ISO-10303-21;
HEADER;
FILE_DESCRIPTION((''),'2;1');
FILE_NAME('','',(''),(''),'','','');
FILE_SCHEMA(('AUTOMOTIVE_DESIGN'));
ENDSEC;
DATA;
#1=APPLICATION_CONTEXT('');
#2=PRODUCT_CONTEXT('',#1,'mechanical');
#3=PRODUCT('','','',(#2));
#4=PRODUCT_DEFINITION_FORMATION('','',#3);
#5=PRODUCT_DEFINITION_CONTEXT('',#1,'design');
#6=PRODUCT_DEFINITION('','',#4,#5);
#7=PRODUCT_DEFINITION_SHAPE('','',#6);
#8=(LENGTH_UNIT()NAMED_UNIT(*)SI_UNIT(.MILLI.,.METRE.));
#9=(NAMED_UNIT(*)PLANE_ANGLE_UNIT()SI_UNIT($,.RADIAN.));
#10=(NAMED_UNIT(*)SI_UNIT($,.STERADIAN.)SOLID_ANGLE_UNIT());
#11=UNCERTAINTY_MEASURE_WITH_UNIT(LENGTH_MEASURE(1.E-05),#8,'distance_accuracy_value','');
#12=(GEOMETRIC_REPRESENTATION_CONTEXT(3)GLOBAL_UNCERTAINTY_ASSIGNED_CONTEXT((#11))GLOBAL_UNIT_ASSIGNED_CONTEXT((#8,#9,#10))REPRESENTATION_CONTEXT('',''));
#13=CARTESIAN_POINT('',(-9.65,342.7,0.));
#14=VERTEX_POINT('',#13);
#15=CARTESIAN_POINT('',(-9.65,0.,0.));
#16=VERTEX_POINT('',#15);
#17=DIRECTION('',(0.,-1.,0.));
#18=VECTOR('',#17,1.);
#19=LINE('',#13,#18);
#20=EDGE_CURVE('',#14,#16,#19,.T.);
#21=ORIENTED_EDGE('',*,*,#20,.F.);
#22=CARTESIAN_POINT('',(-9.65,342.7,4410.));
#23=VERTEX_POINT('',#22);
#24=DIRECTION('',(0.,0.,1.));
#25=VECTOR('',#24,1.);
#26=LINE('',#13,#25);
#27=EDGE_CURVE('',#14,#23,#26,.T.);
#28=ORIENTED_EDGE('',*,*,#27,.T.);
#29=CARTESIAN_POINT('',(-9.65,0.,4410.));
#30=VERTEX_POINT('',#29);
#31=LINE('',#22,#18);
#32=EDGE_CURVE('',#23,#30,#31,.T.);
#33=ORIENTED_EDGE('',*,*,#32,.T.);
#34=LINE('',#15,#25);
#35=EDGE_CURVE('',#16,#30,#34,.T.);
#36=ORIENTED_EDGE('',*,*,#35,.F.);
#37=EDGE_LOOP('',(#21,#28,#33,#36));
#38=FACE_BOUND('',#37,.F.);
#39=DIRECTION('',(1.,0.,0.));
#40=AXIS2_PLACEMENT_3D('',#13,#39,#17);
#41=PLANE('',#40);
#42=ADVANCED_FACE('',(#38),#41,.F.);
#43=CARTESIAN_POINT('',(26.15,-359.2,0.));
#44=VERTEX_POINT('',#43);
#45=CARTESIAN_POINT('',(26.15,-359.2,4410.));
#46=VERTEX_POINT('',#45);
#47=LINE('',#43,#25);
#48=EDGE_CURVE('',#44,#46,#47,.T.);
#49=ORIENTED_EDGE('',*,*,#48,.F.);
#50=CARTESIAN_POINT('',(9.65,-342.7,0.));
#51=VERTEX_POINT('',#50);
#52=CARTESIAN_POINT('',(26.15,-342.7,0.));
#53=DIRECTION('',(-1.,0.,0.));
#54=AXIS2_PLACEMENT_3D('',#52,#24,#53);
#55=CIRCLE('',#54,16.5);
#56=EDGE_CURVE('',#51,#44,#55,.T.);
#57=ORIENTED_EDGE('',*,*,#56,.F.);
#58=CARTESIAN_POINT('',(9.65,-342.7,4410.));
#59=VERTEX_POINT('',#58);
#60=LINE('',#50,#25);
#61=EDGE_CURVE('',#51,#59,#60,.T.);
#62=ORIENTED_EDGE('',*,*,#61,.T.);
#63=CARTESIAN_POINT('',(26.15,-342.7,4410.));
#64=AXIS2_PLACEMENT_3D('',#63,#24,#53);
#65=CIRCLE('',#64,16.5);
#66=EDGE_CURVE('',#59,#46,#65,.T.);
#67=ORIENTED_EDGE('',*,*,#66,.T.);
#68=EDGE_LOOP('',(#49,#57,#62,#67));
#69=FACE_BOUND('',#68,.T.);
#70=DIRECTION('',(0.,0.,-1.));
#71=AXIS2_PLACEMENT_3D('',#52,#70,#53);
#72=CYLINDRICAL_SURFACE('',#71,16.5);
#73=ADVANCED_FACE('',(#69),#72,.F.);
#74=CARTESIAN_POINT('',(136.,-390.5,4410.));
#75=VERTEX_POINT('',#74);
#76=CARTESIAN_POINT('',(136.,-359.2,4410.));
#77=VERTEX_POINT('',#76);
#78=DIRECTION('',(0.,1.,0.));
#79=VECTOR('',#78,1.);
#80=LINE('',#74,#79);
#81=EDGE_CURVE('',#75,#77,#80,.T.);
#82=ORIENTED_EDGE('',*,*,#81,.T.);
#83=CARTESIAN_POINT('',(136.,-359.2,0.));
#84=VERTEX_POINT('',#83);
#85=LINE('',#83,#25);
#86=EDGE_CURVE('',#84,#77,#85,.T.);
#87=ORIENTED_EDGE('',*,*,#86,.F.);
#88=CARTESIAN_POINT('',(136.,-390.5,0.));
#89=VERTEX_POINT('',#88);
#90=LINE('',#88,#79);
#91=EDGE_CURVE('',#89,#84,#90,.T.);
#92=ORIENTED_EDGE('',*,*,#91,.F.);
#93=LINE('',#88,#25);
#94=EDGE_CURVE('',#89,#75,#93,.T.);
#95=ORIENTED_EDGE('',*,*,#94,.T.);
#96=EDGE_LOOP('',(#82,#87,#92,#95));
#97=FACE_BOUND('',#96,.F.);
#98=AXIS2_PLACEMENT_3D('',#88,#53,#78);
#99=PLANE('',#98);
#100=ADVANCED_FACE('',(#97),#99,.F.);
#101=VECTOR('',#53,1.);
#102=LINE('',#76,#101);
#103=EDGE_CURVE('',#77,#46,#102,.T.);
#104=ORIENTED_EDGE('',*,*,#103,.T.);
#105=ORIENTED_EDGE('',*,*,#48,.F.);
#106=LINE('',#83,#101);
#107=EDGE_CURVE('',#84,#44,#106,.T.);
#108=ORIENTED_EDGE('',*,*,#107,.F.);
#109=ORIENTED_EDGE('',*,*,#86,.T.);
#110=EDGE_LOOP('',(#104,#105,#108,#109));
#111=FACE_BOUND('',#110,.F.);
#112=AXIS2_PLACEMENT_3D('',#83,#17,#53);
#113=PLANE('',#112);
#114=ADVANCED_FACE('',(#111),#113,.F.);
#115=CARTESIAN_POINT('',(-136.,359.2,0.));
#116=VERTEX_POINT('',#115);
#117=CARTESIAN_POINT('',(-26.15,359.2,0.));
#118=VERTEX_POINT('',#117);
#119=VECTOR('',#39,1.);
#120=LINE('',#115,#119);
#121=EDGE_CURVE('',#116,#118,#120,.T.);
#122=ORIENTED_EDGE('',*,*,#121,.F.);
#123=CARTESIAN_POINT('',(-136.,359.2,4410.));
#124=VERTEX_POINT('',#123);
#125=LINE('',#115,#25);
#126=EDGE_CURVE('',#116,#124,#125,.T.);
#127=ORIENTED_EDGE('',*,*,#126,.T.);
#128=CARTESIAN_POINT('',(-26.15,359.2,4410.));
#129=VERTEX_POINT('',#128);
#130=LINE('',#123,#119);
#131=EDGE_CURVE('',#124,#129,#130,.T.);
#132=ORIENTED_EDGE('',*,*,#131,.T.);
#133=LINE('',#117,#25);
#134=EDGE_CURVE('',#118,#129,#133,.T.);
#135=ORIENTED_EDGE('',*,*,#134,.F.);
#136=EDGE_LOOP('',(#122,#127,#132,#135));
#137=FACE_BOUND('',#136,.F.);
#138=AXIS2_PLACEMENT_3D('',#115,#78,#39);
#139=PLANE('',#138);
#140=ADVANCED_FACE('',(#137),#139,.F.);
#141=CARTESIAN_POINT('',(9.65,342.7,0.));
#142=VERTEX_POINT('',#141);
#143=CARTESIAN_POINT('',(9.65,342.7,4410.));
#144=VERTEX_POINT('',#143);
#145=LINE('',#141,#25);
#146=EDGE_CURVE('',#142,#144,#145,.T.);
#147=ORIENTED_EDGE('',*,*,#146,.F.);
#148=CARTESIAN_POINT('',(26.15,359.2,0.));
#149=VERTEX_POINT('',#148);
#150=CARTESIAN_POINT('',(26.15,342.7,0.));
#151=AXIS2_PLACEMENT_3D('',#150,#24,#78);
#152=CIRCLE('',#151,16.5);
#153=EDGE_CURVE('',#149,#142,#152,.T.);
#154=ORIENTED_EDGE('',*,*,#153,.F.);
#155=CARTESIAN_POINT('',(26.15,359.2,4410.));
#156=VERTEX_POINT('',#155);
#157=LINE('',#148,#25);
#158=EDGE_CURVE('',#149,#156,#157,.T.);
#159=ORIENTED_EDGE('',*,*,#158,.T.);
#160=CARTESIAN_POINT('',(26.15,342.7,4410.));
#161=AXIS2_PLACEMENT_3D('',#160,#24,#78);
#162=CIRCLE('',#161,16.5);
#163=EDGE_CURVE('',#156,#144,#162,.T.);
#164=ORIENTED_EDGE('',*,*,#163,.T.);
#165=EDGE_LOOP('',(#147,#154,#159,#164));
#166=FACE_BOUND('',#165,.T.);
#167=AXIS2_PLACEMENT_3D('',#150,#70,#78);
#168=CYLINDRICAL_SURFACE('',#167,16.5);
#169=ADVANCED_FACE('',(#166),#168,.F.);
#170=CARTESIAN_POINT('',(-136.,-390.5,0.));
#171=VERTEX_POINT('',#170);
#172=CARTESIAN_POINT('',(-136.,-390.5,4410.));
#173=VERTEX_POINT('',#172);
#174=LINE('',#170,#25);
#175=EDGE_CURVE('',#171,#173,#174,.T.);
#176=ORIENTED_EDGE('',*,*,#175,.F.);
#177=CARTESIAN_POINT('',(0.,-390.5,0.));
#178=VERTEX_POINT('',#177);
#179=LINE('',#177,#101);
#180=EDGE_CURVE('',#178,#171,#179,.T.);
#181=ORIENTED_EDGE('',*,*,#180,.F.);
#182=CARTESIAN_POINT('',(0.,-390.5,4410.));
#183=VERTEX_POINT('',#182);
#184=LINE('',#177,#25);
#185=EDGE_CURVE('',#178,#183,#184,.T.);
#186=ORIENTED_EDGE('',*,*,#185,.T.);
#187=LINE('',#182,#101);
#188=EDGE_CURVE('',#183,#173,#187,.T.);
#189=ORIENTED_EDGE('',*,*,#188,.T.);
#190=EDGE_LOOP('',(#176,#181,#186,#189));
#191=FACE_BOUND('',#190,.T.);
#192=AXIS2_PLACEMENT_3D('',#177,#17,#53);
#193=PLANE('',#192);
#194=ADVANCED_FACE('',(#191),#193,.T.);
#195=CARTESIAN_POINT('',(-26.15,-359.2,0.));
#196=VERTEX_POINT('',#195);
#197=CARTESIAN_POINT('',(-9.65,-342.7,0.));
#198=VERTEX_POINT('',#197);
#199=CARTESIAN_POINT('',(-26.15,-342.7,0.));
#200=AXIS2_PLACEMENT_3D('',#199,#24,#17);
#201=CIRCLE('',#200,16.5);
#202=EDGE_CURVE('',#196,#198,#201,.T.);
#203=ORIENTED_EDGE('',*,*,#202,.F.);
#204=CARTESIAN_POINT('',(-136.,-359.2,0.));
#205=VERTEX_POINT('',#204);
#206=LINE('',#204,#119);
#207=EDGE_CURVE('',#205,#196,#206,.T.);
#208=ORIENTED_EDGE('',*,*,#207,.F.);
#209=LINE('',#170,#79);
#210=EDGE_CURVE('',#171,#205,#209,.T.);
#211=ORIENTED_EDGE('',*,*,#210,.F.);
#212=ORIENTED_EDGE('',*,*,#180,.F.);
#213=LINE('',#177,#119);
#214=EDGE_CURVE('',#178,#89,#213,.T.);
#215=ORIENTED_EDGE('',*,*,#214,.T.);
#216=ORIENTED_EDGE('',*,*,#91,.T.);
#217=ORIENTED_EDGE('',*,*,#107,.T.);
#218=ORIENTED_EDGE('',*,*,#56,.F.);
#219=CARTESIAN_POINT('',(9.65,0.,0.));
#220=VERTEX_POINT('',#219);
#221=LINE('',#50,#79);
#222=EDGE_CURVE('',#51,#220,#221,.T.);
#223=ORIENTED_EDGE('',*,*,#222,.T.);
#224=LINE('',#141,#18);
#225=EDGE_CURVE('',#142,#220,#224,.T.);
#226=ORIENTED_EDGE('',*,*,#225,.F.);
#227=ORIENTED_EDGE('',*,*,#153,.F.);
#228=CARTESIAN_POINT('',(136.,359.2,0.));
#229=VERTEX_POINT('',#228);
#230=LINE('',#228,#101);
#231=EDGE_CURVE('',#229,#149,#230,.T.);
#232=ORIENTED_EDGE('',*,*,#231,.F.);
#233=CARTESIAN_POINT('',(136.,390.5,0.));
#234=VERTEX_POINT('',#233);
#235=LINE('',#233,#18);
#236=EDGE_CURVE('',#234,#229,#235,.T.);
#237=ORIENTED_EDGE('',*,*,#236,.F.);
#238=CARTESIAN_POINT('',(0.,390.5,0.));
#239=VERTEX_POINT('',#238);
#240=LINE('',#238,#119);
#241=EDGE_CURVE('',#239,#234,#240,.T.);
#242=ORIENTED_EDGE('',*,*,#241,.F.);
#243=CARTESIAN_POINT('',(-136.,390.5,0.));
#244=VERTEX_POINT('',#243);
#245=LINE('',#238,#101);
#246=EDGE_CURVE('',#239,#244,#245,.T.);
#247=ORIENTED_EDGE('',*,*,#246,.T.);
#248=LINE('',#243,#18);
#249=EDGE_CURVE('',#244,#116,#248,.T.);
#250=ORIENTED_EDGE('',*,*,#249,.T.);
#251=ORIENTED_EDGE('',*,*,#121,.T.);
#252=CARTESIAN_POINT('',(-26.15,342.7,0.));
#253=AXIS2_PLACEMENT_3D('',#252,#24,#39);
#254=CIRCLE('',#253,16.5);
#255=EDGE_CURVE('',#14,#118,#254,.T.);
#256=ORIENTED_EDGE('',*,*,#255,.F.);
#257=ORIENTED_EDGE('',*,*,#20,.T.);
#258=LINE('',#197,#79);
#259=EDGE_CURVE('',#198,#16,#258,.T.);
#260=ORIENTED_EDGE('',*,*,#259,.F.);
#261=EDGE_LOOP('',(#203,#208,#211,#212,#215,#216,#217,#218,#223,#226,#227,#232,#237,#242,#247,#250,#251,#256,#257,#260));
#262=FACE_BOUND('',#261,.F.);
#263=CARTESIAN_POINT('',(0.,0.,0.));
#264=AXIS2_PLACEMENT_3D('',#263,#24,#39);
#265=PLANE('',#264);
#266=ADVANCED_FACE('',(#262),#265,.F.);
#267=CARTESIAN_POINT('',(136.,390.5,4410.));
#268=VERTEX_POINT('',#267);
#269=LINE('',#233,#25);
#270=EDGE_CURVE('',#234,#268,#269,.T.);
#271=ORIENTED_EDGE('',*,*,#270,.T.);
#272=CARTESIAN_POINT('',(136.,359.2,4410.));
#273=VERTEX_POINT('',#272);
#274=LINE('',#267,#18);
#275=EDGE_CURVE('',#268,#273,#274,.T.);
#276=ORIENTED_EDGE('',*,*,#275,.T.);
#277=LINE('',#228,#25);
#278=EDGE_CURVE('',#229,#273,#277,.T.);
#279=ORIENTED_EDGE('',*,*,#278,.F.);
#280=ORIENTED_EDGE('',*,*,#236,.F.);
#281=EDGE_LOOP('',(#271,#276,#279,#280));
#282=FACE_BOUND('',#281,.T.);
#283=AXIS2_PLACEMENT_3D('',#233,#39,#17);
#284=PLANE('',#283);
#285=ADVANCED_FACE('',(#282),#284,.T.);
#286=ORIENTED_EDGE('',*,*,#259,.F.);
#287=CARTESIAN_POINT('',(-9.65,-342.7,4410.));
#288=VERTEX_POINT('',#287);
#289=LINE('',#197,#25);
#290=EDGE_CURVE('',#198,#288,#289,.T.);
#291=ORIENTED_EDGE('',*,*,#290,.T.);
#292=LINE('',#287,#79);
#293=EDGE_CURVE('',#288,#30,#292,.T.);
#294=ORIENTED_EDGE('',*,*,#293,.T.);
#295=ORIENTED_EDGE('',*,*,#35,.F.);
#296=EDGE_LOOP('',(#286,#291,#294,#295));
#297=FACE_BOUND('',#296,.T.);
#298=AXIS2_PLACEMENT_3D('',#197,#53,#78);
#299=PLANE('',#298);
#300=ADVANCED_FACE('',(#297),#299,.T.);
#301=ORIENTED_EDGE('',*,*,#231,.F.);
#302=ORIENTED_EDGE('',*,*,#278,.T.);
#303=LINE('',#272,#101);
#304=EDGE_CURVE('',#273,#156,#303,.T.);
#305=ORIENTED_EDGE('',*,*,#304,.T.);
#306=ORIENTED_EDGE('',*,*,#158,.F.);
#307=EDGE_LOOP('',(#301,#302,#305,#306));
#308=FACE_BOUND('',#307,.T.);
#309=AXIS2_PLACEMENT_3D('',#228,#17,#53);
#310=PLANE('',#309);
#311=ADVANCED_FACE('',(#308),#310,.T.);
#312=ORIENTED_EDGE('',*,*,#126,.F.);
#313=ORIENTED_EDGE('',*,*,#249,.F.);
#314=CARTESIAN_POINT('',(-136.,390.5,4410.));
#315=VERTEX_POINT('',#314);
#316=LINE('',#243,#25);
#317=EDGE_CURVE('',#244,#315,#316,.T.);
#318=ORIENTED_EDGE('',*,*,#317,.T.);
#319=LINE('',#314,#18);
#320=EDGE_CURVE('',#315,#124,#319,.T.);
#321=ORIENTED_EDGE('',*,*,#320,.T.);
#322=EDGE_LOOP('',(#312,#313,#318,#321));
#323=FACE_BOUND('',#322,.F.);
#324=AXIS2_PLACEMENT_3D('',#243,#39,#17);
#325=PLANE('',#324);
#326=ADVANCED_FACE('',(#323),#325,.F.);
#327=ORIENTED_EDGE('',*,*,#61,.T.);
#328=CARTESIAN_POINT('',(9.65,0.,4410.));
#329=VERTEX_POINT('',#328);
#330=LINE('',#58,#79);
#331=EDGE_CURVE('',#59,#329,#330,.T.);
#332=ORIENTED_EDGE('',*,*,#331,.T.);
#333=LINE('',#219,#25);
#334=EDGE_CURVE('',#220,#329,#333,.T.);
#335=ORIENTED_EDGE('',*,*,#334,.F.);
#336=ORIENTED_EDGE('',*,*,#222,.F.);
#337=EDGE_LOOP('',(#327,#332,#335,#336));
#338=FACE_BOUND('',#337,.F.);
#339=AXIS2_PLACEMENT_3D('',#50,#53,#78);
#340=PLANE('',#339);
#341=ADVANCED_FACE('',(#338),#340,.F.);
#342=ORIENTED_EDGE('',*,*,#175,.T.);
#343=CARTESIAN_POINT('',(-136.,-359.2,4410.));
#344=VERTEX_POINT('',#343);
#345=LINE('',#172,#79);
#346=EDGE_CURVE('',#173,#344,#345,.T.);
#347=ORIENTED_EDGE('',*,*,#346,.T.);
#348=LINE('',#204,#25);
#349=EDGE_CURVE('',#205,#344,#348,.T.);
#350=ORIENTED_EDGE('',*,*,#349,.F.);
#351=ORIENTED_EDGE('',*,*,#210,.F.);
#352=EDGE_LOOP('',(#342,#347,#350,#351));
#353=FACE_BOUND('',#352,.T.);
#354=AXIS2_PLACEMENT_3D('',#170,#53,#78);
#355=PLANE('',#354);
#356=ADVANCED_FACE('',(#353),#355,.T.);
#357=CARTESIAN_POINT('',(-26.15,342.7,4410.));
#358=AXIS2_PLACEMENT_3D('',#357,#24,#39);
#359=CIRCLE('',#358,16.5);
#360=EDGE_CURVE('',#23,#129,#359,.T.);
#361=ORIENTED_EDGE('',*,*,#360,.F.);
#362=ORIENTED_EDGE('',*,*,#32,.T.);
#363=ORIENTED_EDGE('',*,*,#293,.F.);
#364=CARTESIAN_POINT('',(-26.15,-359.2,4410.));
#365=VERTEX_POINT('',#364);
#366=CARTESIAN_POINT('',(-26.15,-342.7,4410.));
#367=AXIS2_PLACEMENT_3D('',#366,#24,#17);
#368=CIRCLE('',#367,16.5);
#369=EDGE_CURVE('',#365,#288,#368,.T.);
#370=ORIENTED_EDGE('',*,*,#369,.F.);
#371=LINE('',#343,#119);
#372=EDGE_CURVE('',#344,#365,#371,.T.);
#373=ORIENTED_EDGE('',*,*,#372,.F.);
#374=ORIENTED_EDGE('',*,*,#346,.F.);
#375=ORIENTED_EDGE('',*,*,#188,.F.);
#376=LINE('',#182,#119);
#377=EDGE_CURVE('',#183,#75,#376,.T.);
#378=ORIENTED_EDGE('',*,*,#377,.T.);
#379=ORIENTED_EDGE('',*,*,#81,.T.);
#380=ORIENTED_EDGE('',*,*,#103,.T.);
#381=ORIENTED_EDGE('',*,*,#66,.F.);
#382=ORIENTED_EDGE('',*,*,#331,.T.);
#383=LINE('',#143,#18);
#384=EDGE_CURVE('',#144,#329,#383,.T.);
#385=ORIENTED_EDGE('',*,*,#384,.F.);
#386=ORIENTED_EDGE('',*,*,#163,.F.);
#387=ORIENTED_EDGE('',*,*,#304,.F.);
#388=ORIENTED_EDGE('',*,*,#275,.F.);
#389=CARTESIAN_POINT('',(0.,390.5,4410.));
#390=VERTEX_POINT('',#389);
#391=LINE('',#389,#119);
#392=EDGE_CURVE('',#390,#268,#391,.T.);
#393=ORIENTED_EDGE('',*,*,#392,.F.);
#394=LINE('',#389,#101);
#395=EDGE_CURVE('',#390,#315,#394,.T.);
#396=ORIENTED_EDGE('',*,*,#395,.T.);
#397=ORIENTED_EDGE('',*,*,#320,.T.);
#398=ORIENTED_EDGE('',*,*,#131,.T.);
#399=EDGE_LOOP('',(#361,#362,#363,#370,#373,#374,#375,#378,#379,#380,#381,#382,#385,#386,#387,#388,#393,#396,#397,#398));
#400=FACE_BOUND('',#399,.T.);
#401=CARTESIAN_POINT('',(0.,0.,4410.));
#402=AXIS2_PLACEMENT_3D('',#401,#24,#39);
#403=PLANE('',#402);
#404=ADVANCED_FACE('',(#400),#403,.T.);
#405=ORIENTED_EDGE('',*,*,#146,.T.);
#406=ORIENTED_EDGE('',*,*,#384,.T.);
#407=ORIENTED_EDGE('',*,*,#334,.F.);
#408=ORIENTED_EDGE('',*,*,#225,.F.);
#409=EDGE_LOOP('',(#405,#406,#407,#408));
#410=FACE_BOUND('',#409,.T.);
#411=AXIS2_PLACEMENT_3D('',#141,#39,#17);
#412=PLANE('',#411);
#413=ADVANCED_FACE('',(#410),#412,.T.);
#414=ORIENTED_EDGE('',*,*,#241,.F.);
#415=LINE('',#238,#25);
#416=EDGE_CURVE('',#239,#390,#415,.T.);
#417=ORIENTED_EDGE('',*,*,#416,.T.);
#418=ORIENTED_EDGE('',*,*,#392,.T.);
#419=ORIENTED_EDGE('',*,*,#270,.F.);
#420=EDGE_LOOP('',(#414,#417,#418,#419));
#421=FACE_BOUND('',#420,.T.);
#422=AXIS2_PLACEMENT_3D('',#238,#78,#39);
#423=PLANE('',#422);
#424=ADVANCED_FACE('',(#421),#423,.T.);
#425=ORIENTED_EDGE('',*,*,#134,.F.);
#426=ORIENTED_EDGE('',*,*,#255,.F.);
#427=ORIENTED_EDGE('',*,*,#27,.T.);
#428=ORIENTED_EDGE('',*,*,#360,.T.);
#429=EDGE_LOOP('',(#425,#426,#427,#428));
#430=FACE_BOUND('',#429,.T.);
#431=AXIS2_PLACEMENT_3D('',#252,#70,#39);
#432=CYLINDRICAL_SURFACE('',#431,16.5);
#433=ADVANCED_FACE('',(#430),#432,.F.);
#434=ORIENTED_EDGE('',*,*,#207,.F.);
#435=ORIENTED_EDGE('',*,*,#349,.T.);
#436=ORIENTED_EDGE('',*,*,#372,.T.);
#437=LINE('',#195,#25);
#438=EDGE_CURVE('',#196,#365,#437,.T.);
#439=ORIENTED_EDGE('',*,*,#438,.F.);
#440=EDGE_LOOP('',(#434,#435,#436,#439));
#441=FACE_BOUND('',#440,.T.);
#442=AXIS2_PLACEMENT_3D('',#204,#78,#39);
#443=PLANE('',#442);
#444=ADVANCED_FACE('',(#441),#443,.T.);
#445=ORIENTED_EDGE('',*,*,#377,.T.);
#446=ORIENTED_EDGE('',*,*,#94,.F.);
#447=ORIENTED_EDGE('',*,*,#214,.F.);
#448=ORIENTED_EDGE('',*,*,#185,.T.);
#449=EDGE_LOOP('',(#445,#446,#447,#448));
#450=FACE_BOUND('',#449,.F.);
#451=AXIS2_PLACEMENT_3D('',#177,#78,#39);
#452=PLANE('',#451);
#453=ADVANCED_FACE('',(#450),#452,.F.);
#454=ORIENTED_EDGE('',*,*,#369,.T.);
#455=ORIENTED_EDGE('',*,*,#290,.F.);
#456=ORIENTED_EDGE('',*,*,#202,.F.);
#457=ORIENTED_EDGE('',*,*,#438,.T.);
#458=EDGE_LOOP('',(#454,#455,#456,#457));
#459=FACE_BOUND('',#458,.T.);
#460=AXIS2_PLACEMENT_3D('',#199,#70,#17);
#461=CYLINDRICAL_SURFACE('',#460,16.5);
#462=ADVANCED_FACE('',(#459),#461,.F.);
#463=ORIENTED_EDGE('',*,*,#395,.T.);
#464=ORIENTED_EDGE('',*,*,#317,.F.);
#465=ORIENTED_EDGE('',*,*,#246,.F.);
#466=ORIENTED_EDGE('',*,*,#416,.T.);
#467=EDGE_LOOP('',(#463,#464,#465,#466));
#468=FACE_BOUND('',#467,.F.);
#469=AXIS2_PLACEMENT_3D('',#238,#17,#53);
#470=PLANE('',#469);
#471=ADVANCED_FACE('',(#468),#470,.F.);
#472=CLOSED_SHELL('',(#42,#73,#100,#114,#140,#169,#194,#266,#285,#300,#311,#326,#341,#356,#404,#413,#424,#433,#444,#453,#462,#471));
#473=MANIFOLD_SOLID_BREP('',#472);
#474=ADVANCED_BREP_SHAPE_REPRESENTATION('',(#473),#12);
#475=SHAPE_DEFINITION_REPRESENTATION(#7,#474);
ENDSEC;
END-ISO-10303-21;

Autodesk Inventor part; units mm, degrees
ref_plane "YZ Plane" through (0, 0, 0) normal (1, 0, 0) x (0, 1, 0)
ref_plane "Start plane" through (0, 0, 0) normal (0, 0, 1) x (1, 0, 0)
ref_plane "End plane" through (0, 0, 4410) normal (0, 0, 1) x (1, 0, 0)
sketch "Sketch" plane through (0, 0, 0) normal (0, 0, 1) x (1, 0, 0)
  line L0 (-136, -390.5) -> (-136, -359.2)
  line L1 (-136, -359.2) -> (-26.15, -359.2)
  line L2 (-9.65, -342.7) -> (-9.65, 0)
  line L3 (-9.65, 0) -> (0, 0) construction
  line L4 (0, 0) -> (0, -390.5) construction
  line L5 (0, -390.5) -> (-136, -390.5)
  line L6 (-60, 0) -> (80, 0) construction
  line L7 (0, -60) -> (0, 80) construction
  line L8 (136, -390.5) -> (136, -359.2)
  line L9 (136, -359.2) -> (26.15, -359.2)
  line L10 (9.65, -342.7) -> (9.65, 0)
  line L11 (9.65, 0) -> (0, 0) construction
  line L12 (0, -390.5) -> (136, -390.5)
  line L13 (-136, 390.5) -> (-136, 359.2)
  line L14 (-136, 359.2) -> (-26.15, 359.2)
  line L15 (-9.65, 342.7) -> (-9.65, 0)
  line L16 (0, 390.5) -> (-136, 390.5)
  line L17 (136, 390.5) -> (136, 359.2)
  line L18 (136, 359.2) -> (26.15, 359.2)
  line L19 (0, 390.5) -> (136, 390.5)
  line L20 (9.65, 342.7) -> (9.65, 0)
  arc A0 (-9.65, 342.7) -> (-26.15, 359.2) centre (-26.15, 342.7) ccw
  arc A1 (26.15, 359.2) -> (9.65, 342.7) centre (26.15, 342.7) ccw
  arc A2 (9.65, -342.7) -> (26.15, -359.2) centre (26.15, -342.7) ccw
  arc A3 (-26.15, -359.2) -> (-9.65, -342.7) centre (-26.15, -342.7) ccw
  line L21 (0, 108) -> (0, -88) construction
  line L22 (-88, 0) -> (108, 0) construction
  point P0 (-9.65, -359.2)
  point P1 (9.65, -359.2)
  point P2 (-9.65, 359.2)
  point P3 (9.65, 359.2)
  dimension "d1" = 390.5
  dimension "d2" = 31.3
  dimension "d3" = 136
  dimension "d4" = 9.65
  dimension "d10" = 16.5
extrude "Body" add sketch "Sketch" along normal up to surface (4410 mm away) from surface at 0
sketch "Sketch4" plane through (0, 0, 0) normal (0, 0, 1) x (1, 0, 0)
  line L0 (0, 0) -> (10, 0)
ref_plane "Work Plane3" through (0, 0, 0) normal (0, -1, 0) x (1, 0, 0)
sketch "Sketch5" plane through (0, 0, 0) normal (0, -1, 0) x (1, 0, 0)
  line L0 (-2, 0) -> (12, 0) projected
  line L1 (-2, 4410) -> (12, 4410) projected
  dimension "d14" = 4410
equation "\"d1\" = 0.5 * G_H"
equation "\"d2\" = G_T1"
equation "\"d3\" = 0.5 * G_W"
equation "\"d4\" = 0.5 * G_T"
equation "\"d10\" = G_IR"
equation "\"d5\" = G_L"
equation "\"G_W\" = 272"
equation "\"G_H\" = 781"
equation "\"G_T\" = 19.3"
equation "\"G_T1\" = 31.3"
equation "\"G_IR\" = 16.5"
equation "\"G_L\" = d14"
equation "\"G_OFFSET_START\" = 0"
equation "\"G_OFFSET_END\" = 0"
properties part number "AS 3679-1990 - 760 UB - 244 - 4410" material "Steel, Mild"
